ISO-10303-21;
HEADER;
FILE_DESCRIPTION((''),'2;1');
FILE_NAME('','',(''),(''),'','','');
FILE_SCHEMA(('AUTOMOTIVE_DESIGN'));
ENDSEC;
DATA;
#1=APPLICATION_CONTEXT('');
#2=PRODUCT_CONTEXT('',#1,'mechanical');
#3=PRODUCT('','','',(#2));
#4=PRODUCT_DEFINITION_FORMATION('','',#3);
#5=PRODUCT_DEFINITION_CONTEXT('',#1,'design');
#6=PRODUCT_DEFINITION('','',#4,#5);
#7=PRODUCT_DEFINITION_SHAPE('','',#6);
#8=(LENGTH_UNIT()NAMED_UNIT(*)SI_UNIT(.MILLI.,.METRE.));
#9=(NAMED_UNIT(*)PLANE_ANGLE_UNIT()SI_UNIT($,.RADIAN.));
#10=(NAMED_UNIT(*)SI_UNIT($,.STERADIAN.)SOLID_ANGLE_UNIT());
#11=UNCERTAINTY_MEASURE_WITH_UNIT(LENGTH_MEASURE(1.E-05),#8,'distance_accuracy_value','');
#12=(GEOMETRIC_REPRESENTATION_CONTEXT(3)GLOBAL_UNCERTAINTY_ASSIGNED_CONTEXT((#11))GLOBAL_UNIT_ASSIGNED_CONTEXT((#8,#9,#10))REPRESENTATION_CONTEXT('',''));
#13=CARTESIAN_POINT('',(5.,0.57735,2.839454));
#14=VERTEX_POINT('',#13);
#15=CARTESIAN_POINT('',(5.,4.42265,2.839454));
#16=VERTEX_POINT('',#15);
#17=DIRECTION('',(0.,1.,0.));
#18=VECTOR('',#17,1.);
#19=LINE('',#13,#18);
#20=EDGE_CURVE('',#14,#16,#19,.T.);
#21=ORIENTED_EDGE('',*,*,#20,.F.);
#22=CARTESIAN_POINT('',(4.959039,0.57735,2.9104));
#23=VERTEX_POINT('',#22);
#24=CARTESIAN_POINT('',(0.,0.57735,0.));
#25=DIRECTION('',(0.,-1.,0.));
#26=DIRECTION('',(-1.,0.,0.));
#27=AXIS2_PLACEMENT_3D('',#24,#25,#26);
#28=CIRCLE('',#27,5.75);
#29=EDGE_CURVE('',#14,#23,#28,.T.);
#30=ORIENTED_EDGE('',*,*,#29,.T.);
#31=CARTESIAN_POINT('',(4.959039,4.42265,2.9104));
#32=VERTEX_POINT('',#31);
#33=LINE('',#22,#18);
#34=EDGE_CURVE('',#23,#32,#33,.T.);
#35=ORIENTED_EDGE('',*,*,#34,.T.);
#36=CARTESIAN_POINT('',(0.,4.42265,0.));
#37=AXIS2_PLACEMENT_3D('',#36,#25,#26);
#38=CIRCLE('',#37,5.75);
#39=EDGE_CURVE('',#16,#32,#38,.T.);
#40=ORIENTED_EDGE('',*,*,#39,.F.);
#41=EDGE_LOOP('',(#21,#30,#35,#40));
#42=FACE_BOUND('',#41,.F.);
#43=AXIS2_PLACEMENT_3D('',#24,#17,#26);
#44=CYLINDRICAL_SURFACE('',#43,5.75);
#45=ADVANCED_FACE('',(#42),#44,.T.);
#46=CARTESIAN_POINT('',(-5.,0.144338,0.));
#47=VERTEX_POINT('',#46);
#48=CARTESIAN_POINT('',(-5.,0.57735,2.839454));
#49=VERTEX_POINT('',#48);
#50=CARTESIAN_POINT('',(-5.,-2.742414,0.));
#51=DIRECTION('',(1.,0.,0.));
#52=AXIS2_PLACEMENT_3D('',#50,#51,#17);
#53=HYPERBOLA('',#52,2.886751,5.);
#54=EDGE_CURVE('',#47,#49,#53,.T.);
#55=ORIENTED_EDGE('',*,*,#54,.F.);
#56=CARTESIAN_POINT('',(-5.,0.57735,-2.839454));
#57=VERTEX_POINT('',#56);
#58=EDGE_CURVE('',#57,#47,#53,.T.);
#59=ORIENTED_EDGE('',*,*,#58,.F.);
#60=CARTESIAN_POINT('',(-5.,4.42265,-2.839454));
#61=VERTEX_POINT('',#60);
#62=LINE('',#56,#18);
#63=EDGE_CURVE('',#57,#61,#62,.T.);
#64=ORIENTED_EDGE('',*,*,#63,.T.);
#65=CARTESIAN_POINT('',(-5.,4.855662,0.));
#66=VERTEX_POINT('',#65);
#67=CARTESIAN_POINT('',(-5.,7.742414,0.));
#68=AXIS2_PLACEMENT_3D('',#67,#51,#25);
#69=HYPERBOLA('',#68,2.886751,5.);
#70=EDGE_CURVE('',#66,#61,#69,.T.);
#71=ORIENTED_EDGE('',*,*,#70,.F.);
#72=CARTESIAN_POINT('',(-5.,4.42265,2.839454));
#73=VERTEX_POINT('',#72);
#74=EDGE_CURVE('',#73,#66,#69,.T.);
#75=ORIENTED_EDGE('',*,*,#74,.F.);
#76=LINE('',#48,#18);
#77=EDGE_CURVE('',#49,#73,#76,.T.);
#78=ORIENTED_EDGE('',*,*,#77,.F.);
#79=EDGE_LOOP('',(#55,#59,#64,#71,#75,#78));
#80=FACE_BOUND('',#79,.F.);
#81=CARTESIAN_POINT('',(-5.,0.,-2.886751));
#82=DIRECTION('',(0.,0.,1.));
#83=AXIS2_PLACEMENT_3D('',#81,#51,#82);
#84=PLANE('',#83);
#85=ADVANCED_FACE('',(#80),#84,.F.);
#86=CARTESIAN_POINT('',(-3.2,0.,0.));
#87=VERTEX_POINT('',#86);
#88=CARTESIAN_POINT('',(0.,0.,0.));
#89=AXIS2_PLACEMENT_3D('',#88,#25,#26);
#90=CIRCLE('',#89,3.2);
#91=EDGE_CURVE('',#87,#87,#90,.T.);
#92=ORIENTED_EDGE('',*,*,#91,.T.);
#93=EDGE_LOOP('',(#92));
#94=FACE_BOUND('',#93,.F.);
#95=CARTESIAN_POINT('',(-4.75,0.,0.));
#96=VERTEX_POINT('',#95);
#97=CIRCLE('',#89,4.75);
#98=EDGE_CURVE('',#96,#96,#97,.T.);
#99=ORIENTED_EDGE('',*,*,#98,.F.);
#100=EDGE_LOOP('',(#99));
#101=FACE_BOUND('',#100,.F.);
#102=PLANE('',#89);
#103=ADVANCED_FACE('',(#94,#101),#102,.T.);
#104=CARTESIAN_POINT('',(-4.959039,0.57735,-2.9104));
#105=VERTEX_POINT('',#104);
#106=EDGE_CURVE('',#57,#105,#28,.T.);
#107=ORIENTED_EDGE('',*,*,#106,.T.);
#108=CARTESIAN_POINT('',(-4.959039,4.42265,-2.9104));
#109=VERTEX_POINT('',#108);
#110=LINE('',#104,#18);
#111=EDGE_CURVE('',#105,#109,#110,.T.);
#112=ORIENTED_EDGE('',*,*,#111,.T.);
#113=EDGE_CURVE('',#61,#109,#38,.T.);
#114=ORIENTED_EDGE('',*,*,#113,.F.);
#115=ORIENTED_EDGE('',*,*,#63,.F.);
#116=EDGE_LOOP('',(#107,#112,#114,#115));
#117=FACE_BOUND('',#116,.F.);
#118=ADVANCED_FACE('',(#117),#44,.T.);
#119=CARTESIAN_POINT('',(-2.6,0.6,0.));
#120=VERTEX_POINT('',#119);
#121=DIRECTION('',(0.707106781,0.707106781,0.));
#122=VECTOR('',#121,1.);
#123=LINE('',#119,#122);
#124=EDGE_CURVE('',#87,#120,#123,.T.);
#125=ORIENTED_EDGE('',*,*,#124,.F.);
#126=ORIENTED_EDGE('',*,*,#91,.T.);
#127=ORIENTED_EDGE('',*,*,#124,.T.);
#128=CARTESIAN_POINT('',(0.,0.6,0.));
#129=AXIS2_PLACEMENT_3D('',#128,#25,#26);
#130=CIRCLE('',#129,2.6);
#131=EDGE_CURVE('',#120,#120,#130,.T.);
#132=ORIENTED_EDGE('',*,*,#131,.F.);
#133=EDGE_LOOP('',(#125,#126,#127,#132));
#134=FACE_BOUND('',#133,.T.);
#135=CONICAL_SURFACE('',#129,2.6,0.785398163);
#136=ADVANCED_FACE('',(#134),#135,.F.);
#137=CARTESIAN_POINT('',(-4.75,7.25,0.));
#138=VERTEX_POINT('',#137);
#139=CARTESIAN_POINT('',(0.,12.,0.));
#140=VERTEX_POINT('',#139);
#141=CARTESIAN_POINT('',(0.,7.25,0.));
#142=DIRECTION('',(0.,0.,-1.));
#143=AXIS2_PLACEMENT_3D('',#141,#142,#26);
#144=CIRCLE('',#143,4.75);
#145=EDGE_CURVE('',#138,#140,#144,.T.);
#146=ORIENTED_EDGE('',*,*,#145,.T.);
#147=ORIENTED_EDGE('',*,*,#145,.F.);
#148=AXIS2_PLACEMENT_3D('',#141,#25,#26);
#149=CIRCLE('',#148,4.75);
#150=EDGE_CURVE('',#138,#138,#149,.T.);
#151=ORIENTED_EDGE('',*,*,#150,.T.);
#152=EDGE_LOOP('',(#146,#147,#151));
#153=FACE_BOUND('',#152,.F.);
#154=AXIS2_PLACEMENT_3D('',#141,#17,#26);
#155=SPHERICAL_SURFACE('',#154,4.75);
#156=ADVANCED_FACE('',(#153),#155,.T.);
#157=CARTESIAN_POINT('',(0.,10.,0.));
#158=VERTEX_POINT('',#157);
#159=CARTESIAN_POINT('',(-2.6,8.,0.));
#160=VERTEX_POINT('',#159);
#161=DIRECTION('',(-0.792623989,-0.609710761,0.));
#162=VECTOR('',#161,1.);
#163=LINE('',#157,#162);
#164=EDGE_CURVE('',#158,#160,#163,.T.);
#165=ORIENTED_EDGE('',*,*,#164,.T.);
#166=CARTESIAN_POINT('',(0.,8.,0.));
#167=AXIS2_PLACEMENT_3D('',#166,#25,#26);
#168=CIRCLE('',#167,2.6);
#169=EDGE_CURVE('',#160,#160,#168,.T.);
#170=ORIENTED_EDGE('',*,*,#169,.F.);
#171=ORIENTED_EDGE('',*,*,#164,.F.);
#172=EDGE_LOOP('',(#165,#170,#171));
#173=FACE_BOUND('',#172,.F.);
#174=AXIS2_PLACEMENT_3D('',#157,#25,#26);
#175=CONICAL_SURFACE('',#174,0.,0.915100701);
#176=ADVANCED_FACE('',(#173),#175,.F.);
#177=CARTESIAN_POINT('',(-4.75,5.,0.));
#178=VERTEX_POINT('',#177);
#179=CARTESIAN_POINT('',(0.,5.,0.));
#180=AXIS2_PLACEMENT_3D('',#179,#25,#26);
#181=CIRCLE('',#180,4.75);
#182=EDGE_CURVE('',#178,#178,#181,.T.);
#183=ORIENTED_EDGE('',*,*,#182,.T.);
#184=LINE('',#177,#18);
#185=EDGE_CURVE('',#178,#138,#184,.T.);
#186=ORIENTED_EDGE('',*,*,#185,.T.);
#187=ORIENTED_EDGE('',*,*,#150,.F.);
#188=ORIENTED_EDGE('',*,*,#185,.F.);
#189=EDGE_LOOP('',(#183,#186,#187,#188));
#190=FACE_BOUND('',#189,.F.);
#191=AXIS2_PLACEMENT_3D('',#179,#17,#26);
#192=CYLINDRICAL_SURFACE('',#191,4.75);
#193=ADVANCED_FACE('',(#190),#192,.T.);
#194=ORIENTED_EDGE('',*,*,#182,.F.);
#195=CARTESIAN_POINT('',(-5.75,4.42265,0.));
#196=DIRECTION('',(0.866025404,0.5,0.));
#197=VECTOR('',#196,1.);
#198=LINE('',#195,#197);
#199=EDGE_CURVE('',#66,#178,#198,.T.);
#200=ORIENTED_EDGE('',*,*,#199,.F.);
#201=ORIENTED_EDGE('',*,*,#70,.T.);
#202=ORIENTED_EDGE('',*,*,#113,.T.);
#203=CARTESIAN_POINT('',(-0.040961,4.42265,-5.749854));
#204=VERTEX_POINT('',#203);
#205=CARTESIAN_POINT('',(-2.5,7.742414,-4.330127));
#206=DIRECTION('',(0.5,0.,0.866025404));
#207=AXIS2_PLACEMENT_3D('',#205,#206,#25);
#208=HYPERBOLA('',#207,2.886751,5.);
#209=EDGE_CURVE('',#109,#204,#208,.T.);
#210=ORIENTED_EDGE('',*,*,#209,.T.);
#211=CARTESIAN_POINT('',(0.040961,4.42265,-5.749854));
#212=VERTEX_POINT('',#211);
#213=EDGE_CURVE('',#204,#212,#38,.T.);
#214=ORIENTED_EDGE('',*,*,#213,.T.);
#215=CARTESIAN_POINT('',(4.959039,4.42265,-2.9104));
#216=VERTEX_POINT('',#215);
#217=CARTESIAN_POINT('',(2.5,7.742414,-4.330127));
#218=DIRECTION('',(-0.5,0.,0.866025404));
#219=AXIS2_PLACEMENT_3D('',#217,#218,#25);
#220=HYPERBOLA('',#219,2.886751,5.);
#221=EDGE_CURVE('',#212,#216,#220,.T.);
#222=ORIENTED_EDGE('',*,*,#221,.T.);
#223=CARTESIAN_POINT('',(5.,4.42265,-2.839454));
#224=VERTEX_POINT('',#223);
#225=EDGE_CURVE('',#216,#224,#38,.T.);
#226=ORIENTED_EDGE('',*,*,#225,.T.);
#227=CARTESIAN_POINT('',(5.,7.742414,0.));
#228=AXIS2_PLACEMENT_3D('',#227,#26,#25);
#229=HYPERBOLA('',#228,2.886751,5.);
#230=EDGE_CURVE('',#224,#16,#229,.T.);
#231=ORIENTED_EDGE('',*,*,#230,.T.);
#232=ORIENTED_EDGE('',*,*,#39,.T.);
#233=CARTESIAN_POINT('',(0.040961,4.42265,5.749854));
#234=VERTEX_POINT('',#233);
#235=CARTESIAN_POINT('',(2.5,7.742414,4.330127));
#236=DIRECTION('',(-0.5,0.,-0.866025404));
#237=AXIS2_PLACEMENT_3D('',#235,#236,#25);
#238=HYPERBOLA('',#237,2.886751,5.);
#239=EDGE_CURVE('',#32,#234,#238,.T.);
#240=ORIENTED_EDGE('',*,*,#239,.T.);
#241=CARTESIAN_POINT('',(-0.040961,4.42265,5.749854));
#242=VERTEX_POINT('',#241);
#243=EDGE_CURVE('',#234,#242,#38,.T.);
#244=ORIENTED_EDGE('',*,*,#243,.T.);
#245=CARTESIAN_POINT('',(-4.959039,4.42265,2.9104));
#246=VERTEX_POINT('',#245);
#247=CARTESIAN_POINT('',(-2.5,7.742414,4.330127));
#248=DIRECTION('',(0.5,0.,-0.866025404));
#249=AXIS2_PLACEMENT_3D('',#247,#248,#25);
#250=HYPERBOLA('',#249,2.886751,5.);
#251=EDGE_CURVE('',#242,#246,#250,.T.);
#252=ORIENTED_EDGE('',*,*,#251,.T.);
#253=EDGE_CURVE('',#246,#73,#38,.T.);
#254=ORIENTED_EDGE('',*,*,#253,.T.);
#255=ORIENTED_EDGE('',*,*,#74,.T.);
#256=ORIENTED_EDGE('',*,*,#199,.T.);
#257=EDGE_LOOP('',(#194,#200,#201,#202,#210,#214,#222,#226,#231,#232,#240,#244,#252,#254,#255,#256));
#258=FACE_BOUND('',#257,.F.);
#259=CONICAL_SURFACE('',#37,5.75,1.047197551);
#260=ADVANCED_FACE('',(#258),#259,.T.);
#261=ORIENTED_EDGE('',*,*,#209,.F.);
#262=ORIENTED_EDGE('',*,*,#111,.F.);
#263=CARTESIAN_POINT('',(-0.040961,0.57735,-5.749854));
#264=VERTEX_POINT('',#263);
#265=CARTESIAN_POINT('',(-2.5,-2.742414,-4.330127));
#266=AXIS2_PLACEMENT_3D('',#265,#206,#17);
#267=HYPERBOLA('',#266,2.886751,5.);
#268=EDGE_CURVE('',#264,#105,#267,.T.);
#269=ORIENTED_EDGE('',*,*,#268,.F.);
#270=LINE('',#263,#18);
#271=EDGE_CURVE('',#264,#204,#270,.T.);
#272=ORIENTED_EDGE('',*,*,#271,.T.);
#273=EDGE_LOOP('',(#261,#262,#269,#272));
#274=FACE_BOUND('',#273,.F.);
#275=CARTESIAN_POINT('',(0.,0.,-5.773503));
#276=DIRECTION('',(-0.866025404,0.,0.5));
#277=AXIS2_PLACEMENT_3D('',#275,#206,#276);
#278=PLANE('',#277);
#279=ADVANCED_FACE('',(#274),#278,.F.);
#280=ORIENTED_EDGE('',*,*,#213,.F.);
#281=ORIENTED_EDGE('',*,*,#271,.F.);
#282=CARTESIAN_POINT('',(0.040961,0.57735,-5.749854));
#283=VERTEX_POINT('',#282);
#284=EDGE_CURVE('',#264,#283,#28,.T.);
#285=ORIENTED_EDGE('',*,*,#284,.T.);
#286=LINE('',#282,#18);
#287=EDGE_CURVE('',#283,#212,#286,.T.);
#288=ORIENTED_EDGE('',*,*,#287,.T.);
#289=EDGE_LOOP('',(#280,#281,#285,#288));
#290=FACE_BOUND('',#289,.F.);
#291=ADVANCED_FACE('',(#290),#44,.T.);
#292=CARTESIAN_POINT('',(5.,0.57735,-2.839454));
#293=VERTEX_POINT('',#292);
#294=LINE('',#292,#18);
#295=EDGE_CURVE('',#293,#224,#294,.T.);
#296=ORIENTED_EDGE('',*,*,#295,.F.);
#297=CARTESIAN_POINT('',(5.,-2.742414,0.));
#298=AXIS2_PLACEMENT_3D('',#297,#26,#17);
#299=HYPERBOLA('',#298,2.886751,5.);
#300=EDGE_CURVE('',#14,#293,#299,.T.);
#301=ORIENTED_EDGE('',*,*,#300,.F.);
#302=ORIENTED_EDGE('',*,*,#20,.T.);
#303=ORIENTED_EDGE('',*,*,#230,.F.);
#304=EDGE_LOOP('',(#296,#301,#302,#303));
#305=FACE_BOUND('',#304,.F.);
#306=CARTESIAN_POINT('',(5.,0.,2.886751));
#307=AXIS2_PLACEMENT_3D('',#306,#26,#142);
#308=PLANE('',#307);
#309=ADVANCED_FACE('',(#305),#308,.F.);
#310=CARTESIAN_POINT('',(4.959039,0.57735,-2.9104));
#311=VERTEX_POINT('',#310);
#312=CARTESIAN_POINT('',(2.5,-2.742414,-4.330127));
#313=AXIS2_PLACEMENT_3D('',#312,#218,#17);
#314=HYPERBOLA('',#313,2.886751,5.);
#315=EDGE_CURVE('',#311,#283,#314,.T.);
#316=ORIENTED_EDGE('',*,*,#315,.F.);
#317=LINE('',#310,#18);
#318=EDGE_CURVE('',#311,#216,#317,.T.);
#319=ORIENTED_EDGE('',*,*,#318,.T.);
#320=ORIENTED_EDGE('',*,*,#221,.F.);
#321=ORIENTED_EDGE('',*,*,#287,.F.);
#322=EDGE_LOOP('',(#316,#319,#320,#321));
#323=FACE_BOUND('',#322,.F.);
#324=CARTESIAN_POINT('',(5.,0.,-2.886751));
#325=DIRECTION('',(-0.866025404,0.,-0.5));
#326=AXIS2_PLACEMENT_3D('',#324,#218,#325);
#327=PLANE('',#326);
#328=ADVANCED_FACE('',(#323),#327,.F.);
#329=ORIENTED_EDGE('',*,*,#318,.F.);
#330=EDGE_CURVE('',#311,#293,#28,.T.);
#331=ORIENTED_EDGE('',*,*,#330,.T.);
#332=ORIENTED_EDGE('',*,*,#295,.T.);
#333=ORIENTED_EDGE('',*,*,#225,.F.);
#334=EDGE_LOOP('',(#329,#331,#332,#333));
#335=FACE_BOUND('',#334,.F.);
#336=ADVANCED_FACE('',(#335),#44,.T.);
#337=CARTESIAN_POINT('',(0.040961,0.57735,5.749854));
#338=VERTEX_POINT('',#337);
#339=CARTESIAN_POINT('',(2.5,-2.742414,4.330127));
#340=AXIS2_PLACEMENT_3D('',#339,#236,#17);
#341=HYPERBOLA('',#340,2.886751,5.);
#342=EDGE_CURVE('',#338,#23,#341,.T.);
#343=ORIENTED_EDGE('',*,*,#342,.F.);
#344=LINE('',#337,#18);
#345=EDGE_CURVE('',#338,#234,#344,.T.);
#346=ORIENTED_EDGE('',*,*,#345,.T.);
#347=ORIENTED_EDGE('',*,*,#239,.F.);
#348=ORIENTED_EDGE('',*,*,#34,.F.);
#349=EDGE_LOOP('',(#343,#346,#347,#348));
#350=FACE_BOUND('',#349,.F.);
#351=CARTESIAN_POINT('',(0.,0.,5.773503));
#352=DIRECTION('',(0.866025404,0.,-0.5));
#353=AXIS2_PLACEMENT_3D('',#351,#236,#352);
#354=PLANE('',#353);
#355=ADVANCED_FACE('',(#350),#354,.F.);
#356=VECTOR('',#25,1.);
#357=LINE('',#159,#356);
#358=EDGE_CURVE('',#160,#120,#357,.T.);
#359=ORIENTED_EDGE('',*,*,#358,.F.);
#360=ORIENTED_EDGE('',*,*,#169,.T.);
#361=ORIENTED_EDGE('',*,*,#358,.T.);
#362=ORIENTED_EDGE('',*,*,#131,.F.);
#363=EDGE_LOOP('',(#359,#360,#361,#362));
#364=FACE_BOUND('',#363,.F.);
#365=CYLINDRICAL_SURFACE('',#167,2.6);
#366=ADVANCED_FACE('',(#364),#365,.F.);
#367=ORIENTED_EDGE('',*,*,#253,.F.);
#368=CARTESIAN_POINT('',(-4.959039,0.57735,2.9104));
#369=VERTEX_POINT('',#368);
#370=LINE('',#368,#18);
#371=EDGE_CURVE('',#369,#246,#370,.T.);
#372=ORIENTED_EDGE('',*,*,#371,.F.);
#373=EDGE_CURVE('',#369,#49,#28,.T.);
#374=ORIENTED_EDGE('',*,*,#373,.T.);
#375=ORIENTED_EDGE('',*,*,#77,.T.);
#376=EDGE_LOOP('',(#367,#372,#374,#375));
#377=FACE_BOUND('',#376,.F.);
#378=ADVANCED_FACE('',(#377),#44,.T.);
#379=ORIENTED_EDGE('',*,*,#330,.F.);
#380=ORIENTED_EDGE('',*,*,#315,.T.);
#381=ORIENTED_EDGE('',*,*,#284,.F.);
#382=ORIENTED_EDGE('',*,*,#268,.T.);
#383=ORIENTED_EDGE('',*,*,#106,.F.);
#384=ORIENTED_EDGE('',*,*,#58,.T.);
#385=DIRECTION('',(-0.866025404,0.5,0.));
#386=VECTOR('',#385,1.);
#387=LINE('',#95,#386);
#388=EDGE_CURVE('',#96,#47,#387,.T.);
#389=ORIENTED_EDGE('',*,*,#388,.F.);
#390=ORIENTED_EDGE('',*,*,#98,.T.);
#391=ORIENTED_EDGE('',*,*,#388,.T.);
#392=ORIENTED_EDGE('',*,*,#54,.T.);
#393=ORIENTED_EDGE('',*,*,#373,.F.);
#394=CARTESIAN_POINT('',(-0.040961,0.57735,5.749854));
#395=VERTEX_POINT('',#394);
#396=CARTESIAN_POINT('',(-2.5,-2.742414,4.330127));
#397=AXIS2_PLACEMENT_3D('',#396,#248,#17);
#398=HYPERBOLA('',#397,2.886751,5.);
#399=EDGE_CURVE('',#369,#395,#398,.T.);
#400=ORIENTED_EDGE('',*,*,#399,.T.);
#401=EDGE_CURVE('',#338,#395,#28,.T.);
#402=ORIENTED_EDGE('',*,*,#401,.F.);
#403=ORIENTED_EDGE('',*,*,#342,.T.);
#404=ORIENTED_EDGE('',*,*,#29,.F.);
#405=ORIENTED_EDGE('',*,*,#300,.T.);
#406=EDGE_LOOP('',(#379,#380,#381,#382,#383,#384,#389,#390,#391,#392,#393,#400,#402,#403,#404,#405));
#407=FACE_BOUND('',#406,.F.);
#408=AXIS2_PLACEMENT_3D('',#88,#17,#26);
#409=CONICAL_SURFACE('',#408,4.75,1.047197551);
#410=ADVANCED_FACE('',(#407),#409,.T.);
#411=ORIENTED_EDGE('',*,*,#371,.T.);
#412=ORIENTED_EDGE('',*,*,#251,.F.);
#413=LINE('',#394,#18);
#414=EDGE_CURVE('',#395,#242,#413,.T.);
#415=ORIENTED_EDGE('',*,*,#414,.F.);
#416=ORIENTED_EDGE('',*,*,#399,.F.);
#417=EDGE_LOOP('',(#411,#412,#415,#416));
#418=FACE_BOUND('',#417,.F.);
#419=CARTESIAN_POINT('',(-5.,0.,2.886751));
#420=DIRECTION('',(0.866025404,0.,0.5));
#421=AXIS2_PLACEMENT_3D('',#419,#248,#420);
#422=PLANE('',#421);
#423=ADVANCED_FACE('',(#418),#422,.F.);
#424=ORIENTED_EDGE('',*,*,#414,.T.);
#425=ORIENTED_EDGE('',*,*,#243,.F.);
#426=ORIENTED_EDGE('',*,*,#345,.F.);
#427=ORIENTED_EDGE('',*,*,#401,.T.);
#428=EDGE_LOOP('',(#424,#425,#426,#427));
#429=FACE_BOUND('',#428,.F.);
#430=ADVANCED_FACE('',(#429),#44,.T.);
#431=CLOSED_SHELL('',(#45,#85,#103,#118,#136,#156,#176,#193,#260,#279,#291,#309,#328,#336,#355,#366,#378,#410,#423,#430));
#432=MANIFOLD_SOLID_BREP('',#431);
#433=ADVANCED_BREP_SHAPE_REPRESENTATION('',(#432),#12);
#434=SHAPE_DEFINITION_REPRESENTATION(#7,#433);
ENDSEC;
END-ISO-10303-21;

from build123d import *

# Parameters (mm, degrees)
SKETCH_2_OUTSIDE_W  = 17.542
SKETCH_2_OUTSIDE_H  = 17.542
CUT_EXTRUDE_1_DEPTH = 15.495689014
CHAMFER_1_SIZE      = 0.6


with BuildPart() as part:
    # Эскиз1 → Revolve 782 (revolve)
    with BuildSketch(Plane.XY, mode=Mode.PRIVATE) as revolve_782_sk:
        with BuildLine():
            Line((5.75, 0.577350269), (5.75, 4.422649731))
            Line((5.75, 4.422649731), (4.75, 5))
            Line((4.75, 5), (4.75, 7.25))
            ThreePointArc((4.75, 7.25), (3.358757211, 10.608757211), (0, 12))
            Line((0, 12), (0, 10))
            Line((0, 10), (2.6, 8))
            Line((2.6, 8), (2.6, 0))
            Line((2.6, 0), (4.75, 0))
            Line((4.75, 0), (5.75, 0.577350269))
        make_face()
    revolve(revolve_782_sk.sketch.rotate(Axis((0, 18.372325569, 0), (0, -1, 0)), 180), axis=Axis((0, 18.372325569, 0), (0, -1, 0)))

    # Эскиз2 outside → Вырез-Вытянуть1 (cut, through all)
    with BuildSketch(Plane(origin=(0, 0, 0), x_dir=(1, 0, 0), z_dir=(0, 1, 0))):
        Rectangle(SKETCH_2_OUTSIDE_W, SKETCH_2_OUTSIDE_H)
        Polygon((0, 5.773502692), (-5, 2.886751346), (-5, -2.886751346), (0, -5.773502692), (5, -2.886751346), (5, 2.886751346), align=None, mode=Mode.SUBTRACT)
    extrude(amount=CUT_EXTRUDE_1_DEPTH, mode=Mode.SUBTRACT)

    # Фаска1
    chamfer_1_edges = [part.edges().sort_by_distance(p)[0] for p in [
        (2.6, 0, 0),
    ]]
    chamfer(chamfer_1_edges, length=CHAMFER_1_SIZE)


solid = part.part
